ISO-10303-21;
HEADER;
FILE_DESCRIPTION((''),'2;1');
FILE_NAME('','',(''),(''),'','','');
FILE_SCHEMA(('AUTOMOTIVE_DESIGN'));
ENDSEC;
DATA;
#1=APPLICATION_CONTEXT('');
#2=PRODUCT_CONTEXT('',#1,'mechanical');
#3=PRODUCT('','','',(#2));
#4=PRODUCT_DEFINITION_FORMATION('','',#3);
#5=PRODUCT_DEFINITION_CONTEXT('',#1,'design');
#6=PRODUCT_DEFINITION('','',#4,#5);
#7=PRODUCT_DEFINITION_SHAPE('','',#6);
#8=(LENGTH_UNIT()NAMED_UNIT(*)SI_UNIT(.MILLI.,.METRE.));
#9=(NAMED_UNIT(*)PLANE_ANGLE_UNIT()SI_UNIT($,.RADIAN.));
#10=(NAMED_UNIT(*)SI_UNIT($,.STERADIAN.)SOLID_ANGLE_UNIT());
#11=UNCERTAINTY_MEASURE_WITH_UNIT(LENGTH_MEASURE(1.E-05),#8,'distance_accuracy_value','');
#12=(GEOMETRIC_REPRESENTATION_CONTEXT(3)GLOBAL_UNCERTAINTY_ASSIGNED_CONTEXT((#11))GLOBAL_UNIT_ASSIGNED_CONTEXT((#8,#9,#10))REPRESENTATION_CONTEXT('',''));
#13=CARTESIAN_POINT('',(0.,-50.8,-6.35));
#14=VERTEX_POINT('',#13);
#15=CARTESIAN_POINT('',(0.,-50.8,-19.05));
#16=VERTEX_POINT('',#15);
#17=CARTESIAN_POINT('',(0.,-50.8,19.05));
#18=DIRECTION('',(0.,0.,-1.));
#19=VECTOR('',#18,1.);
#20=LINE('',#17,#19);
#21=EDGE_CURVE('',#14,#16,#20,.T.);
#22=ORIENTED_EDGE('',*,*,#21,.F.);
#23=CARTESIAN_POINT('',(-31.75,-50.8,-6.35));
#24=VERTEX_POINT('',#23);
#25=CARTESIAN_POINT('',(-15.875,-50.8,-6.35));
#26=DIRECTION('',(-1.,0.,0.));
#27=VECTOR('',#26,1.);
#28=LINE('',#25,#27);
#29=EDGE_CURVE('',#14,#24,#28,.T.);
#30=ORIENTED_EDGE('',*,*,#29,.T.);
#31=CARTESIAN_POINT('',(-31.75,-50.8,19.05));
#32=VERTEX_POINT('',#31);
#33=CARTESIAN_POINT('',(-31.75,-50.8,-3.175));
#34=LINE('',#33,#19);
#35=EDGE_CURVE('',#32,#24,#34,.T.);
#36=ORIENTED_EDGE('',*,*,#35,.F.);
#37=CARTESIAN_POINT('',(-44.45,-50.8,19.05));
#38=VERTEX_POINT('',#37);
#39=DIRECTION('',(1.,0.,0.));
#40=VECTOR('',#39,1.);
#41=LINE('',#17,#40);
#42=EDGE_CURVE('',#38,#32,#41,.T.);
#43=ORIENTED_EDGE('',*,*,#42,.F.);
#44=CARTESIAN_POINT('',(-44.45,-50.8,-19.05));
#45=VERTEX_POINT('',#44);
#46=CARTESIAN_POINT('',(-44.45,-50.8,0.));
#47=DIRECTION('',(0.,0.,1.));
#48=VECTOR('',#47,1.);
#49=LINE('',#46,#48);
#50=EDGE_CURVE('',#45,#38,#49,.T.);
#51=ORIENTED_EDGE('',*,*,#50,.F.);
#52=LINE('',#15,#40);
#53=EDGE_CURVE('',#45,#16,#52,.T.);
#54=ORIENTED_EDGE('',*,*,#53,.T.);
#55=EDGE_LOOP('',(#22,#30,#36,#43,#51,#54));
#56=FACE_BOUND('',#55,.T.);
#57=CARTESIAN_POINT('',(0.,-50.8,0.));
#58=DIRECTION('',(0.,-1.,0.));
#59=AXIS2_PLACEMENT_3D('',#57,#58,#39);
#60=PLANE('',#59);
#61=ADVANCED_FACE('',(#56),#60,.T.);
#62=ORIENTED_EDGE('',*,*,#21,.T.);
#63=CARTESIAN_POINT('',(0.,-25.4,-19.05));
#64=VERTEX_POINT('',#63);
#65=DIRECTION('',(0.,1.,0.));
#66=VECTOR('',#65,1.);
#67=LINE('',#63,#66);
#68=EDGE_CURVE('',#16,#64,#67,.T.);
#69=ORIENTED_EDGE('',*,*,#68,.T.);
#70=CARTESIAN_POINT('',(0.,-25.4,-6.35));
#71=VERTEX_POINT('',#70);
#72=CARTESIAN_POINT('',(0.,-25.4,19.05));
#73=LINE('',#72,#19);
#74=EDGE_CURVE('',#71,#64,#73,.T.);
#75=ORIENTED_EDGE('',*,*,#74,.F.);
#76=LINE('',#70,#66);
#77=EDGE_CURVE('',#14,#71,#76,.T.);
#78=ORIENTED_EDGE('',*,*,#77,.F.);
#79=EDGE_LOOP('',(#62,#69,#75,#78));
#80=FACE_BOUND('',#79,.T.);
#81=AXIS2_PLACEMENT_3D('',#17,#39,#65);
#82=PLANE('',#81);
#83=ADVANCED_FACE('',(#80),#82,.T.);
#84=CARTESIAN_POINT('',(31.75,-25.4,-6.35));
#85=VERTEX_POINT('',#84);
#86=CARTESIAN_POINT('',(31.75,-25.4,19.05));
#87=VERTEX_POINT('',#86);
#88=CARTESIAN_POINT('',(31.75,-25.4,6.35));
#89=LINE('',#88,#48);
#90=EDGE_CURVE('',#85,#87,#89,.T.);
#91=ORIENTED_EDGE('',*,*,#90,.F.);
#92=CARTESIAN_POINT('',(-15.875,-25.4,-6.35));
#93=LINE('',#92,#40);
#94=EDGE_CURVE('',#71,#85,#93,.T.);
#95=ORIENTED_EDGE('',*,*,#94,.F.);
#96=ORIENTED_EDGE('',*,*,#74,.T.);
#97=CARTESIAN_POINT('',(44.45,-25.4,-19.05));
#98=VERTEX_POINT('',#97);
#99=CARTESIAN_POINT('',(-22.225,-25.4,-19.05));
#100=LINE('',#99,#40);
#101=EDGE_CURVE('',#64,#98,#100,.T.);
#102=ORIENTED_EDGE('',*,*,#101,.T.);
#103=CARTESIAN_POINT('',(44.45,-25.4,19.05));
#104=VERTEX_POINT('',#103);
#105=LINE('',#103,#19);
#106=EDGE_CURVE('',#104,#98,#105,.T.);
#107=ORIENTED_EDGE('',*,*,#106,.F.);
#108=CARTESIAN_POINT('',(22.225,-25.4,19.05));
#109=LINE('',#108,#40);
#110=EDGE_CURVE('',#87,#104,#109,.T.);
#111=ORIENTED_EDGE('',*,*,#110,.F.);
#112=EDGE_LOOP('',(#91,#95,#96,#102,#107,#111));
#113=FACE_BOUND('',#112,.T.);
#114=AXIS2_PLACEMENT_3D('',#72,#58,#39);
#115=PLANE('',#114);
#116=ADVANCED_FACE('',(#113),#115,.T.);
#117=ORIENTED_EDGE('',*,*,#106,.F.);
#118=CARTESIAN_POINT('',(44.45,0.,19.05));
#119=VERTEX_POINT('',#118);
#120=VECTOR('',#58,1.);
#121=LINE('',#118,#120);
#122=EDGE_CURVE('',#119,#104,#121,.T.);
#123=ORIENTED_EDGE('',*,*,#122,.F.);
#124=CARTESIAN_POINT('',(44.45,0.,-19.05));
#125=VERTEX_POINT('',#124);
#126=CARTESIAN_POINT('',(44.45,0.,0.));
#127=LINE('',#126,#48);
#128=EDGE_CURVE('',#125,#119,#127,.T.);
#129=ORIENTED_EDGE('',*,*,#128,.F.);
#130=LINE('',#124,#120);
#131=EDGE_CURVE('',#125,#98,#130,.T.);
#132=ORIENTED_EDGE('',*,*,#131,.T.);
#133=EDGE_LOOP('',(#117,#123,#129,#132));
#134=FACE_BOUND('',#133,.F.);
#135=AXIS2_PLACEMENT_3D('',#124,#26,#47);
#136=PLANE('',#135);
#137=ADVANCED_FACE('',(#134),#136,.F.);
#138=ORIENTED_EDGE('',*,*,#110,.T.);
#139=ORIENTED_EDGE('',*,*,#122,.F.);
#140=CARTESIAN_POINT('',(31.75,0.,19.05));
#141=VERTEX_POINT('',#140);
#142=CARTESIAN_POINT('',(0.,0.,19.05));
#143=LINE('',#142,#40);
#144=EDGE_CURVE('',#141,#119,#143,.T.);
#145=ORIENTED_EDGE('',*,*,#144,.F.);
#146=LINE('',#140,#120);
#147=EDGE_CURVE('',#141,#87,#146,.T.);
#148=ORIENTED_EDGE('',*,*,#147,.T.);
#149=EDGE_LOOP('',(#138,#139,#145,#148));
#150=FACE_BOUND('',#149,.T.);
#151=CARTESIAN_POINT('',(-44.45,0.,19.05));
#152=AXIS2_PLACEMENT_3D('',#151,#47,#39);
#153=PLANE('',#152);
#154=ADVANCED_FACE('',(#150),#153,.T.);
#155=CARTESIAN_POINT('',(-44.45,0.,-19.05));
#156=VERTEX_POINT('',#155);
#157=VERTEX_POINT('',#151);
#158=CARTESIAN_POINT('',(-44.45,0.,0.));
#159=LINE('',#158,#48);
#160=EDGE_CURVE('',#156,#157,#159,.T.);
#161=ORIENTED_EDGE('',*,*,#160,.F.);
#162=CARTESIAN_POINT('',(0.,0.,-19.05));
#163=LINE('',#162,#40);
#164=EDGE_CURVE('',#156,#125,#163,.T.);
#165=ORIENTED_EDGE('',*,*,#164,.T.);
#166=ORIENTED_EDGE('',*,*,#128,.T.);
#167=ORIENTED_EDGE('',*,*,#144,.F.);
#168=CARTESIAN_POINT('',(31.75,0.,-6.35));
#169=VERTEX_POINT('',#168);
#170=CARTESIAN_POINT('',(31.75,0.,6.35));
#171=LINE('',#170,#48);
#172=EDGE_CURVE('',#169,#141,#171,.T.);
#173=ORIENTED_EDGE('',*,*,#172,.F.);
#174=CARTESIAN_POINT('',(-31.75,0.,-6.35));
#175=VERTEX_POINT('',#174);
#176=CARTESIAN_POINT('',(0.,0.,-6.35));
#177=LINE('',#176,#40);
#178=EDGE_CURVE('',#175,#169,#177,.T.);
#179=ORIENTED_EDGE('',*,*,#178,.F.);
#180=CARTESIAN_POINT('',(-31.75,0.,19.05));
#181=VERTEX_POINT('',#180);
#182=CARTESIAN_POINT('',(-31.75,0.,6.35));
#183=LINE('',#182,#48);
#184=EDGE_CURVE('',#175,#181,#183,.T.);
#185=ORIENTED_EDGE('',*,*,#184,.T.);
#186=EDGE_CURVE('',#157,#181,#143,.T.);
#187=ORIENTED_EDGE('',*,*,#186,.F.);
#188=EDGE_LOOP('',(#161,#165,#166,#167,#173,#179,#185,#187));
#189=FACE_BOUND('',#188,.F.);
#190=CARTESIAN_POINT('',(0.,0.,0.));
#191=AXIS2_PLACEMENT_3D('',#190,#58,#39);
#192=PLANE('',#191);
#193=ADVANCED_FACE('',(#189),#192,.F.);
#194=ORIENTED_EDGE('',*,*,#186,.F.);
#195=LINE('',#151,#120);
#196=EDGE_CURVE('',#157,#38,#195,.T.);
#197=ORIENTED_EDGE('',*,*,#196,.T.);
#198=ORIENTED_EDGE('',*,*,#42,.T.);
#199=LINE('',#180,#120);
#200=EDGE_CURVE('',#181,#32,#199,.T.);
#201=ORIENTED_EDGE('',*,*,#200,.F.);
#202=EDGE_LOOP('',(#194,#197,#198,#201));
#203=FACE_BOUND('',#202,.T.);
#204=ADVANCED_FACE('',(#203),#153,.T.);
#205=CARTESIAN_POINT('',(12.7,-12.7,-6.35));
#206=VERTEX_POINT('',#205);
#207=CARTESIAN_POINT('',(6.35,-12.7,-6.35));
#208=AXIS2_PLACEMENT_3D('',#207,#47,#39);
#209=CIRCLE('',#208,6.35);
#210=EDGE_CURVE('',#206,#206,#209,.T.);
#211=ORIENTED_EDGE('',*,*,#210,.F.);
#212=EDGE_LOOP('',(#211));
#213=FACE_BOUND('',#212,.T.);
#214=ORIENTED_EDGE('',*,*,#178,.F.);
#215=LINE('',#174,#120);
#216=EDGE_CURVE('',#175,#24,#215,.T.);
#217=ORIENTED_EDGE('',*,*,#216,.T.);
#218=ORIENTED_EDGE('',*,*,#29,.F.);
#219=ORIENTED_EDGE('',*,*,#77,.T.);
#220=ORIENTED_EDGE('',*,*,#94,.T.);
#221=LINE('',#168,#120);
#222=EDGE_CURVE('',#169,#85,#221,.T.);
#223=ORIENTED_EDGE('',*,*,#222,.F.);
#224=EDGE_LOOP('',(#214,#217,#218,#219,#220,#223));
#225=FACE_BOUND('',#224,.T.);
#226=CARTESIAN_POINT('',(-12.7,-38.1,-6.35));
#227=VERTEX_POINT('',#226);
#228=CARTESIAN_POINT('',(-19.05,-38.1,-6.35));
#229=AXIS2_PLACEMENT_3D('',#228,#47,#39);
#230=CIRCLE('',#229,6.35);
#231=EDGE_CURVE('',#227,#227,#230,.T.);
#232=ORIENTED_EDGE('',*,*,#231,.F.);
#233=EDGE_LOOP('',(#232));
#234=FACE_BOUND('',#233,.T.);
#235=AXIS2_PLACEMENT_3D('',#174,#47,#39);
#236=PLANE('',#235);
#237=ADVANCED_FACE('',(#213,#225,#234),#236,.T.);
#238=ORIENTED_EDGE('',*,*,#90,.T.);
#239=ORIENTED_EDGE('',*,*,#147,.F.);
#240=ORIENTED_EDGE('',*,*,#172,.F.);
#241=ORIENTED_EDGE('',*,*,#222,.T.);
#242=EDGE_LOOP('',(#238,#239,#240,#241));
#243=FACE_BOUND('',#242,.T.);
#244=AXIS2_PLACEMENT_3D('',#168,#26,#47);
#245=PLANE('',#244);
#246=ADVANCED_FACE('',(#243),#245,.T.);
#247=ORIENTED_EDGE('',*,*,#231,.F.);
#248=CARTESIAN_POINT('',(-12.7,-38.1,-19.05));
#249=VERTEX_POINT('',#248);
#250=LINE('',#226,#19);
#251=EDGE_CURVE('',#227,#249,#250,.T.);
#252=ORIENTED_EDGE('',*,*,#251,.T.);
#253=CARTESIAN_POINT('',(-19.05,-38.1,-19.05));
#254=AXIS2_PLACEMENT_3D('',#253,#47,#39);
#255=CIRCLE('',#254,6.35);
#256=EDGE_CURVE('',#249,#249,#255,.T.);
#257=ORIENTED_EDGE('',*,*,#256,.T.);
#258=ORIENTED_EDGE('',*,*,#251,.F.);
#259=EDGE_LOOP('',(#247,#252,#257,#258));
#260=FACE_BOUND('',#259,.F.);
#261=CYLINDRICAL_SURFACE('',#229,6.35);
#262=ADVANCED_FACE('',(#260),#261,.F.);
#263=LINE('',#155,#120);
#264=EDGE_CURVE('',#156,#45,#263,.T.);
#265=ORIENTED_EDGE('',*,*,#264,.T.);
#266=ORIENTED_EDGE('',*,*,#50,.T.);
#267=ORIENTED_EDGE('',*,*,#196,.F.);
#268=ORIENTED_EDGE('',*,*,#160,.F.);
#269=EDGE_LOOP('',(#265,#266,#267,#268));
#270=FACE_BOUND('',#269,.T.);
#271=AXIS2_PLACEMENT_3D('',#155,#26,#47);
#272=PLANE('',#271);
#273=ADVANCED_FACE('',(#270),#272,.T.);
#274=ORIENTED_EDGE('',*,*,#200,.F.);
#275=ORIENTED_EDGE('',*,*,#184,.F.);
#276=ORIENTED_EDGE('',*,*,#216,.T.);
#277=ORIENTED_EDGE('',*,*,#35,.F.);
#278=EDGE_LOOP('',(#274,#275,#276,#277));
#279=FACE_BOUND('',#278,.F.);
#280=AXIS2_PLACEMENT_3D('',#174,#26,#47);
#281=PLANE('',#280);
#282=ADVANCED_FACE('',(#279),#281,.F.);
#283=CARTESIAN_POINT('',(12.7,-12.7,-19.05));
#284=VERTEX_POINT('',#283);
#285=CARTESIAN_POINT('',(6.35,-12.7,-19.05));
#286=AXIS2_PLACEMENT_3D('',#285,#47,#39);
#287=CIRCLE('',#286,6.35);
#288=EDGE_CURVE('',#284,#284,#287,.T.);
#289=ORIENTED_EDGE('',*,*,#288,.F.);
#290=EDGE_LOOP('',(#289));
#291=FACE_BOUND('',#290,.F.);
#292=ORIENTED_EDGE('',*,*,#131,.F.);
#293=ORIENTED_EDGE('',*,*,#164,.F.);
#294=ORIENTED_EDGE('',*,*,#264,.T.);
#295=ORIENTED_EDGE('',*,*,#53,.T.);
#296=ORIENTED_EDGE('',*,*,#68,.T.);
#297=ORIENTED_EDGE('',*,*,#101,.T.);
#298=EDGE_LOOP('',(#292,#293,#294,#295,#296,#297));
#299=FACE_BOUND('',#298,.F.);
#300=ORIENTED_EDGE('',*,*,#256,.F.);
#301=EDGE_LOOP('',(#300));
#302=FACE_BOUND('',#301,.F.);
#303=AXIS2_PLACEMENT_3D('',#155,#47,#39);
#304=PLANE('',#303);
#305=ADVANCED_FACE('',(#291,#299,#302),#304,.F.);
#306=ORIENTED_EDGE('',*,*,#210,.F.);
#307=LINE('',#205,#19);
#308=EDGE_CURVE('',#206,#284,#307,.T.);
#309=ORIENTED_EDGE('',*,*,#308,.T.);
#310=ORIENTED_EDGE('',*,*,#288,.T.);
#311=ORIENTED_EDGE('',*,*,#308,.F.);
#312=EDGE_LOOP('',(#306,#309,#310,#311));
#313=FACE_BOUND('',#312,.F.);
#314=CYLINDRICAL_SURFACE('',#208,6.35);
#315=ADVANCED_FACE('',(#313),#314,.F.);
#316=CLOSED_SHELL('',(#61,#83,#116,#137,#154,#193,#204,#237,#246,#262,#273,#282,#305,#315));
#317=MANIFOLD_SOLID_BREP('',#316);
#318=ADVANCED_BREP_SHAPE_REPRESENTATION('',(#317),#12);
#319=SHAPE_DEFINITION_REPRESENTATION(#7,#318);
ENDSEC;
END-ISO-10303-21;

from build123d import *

# Parameters (mm, degrees)
F0_W     = 88.9
F0_H     = 38.1
F2_DEPTH = 50.8
F1_W     = 63.5
F1_H     = 25.4
F3_DEPTH = 50.801
F4_W     = 44.45
F4_H     = 25.4
F5_DEPTH = 38.101
F6_R     = 6.35
F7_DEPTH = 12.701


with BuildPart() as f2:
    # F0 (on Front) → F2 (new body)
    with BuildSketch(Plane.XZ):
        Rectangle(F0_W, F0_H)
    extrude(amount=F2_DEPTH)

    # F1 (on face) → F3 (cut, through all)
    with BuildSketch(Plane.XZ):
        with Locations((0, 6.35)):
            Rectangle(F1_W, F1_H)
    extrude(amount=F3_DEPTH, mode=Mode.SUBTRACT)

    # F4 (on face) → F5 (cut, through all)
    with BuildSketch(Plane.XY.offset(19.05)):
        with Locations((22.225, -38.1)):
            Rectangle(F4_W, F4_H)
    extrude(amount=-F5_DEPTH, mode=Mode.SUBTRACT)

    # F6 (on face) → F7 (cut, through all)
    with BuildSketch(Plane.XY.offset(-6.35)):
        with Locations((-19.05, -38.1)):
            Circle(F6_R)
        with Locations((6.35, -12.7)):
            Circle(F6_R)
    extrude(amount=-F7_DEPTH, mode=Mode.SUBTRACT)


solid = f2.part
